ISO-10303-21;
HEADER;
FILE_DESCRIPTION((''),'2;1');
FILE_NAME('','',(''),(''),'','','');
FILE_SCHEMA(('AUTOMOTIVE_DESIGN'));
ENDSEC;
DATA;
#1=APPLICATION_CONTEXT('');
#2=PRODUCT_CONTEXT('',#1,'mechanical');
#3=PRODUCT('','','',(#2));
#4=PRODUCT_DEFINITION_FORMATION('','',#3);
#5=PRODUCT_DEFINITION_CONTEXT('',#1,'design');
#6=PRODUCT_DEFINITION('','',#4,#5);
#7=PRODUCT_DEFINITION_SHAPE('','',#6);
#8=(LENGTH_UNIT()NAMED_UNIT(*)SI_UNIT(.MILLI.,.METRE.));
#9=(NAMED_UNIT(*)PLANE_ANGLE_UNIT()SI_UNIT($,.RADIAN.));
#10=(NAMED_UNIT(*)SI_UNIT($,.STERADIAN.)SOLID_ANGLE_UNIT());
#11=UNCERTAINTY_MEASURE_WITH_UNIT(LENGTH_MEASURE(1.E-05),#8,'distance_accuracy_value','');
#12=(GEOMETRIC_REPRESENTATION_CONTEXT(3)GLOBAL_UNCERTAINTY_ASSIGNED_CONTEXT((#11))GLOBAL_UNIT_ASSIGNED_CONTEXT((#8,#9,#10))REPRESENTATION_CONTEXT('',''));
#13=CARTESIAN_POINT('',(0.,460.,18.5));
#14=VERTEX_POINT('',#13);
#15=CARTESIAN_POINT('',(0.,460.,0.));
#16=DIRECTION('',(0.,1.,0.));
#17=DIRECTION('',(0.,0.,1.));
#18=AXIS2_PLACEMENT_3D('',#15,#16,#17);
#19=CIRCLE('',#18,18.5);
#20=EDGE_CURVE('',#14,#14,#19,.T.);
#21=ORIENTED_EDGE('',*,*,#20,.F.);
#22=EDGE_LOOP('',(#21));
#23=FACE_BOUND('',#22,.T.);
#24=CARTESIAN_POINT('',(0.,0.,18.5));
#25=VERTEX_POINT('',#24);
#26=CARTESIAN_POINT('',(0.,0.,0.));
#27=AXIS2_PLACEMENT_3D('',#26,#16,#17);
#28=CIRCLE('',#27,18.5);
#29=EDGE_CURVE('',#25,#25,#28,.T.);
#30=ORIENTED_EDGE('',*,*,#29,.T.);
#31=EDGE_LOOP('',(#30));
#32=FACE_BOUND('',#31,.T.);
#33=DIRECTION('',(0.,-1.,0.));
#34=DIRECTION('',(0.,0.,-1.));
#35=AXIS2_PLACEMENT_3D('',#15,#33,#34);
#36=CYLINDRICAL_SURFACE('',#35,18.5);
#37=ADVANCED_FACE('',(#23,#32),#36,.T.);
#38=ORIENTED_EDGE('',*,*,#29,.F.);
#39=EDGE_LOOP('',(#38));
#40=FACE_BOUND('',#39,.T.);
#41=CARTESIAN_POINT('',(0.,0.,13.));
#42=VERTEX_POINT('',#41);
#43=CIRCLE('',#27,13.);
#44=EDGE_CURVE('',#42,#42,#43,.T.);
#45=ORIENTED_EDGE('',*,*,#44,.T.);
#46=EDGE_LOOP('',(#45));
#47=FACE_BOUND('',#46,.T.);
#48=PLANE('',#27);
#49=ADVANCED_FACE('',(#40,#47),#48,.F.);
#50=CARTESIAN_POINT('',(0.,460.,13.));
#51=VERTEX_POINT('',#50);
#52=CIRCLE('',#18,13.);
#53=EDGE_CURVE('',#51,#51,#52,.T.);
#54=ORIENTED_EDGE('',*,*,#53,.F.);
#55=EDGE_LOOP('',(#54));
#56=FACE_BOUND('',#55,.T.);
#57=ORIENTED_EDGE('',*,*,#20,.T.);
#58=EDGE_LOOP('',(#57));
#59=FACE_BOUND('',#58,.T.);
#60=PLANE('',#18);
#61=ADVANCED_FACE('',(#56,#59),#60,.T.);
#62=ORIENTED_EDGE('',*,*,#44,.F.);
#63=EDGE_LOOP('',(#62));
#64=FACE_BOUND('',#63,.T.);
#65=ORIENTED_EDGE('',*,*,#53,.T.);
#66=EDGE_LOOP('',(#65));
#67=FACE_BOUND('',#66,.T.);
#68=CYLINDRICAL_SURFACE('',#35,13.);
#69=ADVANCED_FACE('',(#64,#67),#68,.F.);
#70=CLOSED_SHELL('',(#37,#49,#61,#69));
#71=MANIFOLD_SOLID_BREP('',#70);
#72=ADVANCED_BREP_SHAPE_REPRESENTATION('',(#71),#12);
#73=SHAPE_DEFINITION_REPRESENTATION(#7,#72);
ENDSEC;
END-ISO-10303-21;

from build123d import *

# Parameters (mm, degrees)
SKETCH_1_R      = 18.5
SKETCH_1_R_2    = 13
EXTRUDE_1_DEPTH = 460


with BuildPart() as part:
    # 草图1 → 凸台-拉伸1 (new body)
    with BuildSketch(Plane(origin=(0, 0, 0), x_dir=(1, 0, 0), z_dir=(0, 1, 0))):
        Circle(SKETCH_1_R)
        Circle(SKETCH_1_R_2, mode=Mode.SUBTRACT)
    extrude(amount=EXTRUDE_1_DEPTH)


solid = part.part
